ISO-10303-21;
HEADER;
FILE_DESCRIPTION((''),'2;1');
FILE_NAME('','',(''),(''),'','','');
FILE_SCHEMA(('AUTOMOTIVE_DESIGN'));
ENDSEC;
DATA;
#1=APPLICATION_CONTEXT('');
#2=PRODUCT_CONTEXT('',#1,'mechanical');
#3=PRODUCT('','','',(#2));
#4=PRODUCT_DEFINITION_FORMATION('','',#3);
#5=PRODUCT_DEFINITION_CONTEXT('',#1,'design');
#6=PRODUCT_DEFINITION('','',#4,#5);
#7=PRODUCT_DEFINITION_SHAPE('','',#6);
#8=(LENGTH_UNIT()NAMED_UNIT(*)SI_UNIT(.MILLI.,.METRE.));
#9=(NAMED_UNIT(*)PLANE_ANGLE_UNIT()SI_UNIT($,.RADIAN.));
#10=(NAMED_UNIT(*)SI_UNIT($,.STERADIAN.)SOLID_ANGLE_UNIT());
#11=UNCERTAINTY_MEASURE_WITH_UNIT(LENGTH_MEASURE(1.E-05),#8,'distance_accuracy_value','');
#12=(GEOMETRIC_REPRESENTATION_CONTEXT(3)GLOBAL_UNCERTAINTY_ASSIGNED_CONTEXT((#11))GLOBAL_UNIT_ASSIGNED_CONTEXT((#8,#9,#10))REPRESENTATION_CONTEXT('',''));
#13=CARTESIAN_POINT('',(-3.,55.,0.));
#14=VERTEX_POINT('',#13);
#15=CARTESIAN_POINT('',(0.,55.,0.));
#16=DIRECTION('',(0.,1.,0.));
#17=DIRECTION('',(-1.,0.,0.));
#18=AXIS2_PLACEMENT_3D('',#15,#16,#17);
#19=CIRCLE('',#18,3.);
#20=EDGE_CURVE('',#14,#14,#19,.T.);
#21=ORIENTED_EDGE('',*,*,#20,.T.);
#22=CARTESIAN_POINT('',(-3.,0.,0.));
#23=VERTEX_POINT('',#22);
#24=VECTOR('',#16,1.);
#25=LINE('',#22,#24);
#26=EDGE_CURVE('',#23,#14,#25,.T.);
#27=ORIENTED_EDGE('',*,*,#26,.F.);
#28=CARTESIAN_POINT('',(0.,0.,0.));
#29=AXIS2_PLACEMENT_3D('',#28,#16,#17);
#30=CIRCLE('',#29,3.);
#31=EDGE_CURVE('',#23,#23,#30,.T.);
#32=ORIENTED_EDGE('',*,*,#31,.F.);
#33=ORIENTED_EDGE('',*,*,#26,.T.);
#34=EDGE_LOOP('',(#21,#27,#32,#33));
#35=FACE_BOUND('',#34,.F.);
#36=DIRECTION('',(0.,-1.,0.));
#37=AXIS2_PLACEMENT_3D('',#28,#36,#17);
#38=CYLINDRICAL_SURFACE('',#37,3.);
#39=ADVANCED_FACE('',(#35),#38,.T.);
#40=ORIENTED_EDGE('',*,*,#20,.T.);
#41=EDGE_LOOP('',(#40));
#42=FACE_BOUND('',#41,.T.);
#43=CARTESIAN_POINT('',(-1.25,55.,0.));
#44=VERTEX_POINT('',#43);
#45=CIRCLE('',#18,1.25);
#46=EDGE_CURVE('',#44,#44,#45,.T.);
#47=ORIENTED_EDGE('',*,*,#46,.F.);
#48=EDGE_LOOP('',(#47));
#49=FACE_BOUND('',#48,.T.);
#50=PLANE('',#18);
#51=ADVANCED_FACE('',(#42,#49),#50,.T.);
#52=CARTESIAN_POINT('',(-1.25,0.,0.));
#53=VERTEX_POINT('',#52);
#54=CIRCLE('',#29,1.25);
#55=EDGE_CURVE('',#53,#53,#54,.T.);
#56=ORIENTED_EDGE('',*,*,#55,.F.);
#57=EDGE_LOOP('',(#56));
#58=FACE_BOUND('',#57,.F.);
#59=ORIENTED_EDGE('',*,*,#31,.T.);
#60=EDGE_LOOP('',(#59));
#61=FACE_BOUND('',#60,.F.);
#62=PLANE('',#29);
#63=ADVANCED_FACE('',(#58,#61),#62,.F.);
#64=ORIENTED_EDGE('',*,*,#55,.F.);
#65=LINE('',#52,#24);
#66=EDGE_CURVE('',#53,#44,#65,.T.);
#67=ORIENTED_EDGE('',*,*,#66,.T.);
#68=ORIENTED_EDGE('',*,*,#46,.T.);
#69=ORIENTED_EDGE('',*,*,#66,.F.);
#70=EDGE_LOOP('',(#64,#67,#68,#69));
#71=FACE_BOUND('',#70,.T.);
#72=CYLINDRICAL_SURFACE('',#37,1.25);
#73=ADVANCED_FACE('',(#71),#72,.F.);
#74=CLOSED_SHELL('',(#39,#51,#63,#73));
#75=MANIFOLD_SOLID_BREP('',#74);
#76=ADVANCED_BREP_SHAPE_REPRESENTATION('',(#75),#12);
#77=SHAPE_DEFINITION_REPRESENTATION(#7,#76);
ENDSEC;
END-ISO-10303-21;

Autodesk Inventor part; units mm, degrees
ref_plane "YZ Plane" through (0, 0, 0) normal (1, 0, 0) x (0, 1, 0)
ref_plane "XZ Plane" through (0, 0, 0) normal (0, 1, 0) x (-1, 0, 0)
ref_plane "XY Plane" through (0, 0, 0) normal (0, 0, 1) x (1, 0, 0)
sketch "Sketch1" plane through (0, 0, 0) normal (0, 1, 0) x (-1, 0, 0)
  circle A0 centre (0, 0) radius 3
  circle A1 centre (0, 0) radius 1.25
  dimension "d2" = 55
extrude "Extrusion1" add sketch "Sketch1" along normal blind 55
properties part number "column2"
